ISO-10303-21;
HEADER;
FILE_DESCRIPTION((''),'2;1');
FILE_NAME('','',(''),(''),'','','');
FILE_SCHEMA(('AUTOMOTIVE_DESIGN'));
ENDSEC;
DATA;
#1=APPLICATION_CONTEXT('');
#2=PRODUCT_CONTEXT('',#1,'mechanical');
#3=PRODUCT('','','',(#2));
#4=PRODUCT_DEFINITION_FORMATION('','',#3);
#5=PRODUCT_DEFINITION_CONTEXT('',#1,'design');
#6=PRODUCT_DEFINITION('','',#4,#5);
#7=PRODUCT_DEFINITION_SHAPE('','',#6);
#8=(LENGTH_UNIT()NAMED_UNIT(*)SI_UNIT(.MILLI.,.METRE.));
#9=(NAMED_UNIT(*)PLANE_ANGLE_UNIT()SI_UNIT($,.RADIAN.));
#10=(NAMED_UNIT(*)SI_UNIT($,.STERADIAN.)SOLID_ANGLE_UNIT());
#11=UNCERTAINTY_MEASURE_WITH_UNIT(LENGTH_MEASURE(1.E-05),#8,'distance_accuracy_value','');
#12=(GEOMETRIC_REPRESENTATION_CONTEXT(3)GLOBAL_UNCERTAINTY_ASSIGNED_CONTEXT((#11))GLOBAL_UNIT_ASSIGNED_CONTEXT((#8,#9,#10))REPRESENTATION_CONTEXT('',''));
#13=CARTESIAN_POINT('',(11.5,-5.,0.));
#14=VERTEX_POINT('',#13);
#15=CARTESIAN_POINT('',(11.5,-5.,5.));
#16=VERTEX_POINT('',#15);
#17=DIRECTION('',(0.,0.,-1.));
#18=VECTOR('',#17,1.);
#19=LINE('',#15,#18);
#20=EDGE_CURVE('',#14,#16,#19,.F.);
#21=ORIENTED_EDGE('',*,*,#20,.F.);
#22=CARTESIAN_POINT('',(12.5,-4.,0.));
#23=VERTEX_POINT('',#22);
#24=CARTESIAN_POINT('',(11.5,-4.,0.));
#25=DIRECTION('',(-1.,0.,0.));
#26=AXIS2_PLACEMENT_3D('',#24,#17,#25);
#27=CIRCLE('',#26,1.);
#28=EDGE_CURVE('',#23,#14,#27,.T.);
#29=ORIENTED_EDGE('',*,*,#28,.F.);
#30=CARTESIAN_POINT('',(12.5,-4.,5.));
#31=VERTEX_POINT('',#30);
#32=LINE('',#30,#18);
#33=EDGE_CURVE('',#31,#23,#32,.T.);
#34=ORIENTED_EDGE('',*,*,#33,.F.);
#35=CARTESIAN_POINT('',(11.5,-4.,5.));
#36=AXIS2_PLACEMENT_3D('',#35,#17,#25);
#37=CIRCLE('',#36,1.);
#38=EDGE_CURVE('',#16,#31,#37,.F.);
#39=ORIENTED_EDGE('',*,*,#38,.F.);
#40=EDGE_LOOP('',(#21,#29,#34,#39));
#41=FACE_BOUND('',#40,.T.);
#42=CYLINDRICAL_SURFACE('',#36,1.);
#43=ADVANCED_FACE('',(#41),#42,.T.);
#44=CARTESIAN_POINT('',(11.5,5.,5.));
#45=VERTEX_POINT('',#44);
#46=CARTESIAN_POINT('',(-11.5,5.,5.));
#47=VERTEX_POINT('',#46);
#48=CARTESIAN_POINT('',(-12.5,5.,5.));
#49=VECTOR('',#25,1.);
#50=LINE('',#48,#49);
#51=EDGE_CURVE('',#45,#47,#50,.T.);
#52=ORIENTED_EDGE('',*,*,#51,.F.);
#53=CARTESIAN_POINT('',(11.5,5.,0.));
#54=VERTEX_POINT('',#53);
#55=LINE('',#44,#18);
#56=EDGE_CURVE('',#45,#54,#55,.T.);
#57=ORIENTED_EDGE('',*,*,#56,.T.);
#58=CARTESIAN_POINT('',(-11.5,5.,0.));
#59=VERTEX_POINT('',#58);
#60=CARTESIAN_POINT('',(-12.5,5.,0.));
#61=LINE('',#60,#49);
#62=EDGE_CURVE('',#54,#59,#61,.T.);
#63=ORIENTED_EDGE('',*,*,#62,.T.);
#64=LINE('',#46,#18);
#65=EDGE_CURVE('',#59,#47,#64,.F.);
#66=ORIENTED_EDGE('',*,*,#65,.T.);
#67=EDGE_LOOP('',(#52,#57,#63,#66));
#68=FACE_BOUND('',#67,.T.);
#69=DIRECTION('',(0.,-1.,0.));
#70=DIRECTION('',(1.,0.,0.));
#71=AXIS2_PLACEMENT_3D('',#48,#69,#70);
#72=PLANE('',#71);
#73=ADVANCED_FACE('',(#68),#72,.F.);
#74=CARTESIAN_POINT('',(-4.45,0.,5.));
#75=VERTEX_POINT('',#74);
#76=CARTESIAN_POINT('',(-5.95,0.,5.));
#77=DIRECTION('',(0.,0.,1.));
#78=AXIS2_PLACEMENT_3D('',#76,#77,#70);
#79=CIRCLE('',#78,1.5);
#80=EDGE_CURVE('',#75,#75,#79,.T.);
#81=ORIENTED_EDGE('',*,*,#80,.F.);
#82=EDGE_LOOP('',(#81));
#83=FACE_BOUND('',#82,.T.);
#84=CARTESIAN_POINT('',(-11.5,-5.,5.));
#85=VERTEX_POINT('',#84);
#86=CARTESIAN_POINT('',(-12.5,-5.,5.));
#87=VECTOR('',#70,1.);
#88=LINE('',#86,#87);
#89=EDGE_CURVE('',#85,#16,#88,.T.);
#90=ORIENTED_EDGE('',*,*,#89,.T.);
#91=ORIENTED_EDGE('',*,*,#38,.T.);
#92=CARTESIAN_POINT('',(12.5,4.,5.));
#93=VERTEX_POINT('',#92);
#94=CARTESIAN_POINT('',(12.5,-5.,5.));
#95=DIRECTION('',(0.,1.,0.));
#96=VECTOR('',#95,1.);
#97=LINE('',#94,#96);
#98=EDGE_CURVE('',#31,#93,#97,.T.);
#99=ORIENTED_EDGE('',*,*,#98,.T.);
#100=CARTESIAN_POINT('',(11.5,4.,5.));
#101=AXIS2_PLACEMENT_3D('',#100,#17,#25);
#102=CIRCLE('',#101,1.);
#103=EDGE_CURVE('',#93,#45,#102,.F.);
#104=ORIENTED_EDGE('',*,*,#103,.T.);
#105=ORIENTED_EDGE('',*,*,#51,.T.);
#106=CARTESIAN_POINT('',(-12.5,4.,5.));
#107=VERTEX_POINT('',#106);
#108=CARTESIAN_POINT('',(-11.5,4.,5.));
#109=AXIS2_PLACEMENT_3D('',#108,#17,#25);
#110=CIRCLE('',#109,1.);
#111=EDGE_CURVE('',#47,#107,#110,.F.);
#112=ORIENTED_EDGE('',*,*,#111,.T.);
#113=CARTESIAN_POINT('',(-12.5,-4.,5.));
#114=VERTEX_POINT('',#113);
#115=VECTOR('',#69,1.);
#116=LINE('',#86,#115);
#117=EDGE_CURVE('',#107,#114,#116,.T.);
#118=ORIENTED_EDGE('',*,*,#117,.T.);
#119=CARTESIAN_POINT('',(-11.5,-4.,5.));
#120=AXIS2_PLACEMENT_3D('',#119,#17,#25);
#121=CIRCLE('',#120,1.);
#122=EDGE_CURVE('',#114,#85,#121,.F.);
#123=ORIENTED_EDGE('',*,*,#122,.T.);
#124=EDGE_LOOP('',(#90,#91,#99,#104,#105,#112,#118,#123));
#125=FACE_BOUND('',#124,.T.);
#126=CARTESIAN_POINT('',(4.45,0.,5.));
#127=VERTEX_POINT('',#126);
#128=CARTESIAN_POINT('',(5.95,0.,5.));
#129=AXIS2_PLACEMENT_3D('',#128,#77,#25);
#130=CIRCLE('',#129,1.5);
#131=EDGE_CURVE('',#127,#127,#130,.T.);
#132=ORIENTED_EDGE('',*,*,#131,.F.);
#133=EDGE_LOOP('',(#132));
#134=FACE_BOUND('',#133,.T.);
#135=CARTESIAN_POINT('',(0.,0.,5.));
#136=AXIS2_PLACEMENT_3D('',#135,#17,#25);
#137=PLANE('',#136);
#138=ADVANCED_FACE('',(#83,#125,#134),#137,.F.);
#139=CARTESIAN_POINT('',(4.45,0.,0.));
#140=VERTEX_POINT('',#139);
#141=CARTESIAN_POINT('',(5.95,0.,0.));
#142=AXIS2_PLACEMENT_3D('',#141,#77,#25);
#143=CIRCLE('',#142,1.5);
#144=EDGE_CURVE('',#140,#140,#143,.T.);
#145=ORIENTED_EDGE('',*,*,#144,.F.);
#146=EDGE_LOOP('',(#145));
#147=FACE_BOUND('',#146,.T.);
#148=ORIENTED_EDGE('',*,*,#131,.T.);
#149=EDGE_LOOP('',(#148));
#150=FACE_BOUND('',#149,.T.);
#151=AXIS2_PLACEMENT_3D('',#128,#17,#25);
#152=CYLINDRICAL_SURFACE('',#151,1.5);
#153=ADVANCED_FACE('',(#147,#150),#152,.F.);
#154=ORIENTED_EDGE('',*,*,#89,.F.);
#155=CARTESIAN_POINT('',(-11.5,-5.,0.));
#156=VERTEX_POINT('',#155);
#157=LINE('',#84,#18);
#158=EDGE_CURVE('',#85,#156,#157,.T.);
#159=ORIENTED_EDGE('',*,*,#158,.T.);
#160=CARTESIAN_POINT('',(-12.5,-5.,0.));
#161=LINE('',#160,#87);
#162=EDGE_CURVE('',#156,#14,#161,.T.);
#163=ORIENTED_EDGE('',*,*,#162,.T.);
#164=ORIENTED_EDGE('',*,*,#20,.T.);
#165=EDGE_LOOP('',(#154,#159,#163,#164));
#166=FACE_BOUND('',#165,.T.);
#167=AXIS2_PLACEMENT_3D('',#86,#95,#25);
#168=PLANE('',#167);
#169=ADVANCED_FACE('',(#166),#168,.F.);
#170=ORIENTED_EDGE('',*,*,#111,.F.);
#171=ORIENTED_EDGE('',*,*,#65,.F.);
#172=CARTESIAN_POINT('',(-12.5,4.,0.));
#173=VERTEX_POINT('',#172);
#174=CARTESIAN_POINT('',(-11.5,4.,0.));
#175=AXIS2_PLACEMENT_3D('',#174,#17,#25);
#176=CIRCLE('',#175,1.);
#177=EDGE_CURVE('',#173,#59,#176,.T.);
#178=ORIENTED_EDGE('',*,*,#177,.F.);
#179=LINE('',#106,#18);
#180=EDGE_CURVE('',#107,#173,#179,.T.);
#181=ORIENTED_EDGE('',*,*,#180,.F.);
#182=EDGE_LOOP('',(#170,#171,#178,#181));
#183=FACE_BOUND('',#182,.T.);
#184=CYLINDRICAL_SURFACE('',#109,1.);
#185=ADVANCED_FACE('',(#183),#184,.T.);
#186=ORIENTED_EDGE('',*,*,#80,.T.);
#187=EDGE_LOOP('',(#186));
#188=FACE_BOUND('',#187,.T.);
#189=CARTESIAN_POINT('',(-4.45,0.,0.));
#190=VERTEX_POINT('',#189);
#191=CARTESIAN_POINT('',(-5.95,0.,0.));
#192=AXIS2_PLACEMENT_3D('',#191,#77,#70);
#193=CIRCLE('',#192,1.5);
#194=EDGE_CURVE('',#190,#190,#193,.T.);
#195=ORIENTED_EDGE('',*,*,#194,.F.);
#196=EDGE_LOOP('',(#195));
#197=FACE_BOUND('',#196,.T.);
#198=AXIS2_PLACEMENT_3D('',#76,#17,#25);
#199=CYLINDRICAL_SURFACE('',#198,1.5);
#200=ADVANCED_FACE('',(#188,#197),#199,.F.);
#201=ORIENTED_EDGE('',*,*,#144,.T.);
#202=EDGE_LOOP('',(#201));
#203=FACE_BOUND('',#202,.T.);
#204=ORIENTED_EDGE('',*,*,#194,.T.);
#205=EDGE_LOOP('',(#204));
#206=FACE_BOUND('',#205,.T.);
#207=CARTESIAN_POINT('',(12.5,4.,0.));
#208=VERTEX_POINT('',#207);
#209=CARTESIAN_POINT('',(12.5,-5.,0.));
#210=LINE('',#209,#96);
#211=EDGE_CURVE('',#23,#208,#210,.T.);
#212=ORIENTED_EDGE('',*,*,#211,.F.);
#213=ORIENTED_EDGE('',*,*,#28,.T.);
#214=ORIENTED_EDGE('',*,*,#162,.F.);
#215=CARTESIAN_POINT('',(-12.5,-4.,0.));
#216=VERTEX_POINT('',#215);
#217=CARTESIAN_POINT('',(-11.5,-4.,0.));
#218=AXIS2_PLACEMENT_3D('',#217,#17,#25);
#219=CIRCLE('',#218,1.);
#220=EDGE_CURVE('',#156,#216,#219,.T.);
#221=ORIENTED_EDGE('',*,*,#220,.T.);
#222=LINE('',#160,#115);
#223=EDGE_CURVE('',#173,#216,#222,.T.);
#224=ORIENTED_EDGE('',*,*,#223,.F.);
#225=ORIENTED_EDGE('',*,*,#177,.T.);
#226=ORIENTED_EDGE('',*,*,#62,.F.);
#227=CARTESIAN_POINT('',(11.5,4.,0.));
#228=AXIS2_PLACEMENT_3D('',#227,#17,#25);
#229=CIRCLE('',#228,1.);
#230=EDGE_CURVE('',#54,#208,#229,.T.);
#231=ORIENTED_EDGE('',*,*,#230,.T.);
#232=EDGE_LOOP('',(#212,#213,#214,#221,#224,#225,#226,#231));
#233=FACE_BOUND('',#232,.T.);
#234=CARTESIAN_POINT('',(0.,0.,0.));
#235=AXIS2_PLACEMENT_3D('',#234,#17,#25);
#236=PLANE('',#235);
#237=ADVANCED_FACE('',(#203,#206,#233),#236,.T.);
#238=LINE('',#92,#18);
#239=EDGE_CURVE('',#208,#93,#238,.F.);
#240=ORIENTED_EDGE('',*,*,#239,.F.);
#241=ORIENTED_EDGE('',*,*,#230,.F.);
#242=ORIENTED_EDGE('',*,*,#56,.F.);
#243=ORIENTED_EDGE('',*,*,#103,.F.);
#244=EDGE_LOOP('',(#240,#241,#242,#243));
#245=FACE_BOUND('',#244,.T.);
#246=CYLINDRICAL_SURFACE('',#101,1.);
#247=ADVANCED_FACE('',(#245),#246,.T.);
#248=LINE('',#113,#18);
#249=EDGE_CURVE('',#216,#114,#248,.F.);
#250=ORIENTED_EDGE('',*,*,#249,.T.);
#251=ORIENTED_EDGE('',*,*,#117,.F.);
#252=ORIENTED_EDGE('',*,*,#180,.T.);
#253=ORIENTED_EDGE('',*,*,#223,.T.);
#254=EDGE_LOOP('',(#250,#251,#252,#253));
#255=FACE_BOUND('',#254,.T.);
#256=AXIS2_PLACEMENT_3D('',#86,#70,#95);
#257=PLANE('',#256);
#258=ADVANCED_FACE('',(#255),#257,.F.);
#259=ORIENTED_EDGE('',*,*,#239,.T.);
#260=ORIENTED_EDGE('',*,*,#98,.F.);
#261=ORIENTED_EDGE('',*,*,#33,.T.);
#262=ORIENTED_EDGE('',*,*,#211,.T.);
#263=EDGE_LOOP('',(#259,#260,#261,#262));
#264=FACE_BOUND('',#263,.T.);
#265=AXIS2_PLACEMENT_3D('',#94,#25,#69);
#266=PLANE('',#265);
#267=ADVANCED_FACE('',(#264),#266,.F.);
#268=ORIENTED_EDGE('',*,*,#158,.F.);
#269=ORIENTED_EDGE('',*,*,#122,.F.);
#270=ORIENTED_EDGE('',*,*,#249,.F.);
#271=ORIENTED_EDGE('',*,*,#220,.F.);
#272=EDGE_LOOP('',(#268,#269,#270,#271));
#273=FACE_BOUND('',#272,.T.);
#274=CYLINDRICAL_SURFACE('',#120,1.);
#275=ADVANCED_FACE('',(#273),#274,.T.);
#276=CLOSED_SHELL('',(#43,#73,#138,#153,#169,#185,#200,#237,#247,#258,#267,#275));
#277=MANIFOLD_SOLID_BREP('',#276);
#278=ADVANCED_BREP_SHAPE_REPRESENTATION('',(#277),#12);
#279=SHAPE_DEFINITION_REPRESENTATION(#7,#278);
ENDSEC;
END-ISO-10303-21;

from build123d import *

# Parameters (mm, degrees)
SKETCH_1_W      = 25
SKETCH_1_H      = 10
SKETCH_1_R      = 1.5
EXTRUDE_1_DEPTH = 5
FILLET_1_R      = 1


with BuildPart() as part:
    # 草图1 → 凸台-拉伸1 (new body)
    with BuildSketch(Plane.XY):
        Rectangle(SKETCH_1_W, SKETCH_1_H)
        with Locations((-5.95, 0)):
            Circle(SKETCH_1_R, mode=Mode.SUBTRACT)
        with Locations(Location((5.95, 0, 0), (0, 0, 180))):
            Circle(SKETCH_1_R, mode=Mode.SUBTRACT)
    extrude(amount=EXTRUDE_1_DEPTH)

    # 圆角1
    fillet_1_edges = [part.edges().sort_by_distance(p)[0] for p in [
        (12.5, -5, 2.5),
        (-12.5, -5, 2.5),
        (-12.5, 5, 2.5),
        (12.5, 5, 2.5),
    ]]
    fillet(fillet_1_edges, radius=FILLET_1_R)


solid = part.part
